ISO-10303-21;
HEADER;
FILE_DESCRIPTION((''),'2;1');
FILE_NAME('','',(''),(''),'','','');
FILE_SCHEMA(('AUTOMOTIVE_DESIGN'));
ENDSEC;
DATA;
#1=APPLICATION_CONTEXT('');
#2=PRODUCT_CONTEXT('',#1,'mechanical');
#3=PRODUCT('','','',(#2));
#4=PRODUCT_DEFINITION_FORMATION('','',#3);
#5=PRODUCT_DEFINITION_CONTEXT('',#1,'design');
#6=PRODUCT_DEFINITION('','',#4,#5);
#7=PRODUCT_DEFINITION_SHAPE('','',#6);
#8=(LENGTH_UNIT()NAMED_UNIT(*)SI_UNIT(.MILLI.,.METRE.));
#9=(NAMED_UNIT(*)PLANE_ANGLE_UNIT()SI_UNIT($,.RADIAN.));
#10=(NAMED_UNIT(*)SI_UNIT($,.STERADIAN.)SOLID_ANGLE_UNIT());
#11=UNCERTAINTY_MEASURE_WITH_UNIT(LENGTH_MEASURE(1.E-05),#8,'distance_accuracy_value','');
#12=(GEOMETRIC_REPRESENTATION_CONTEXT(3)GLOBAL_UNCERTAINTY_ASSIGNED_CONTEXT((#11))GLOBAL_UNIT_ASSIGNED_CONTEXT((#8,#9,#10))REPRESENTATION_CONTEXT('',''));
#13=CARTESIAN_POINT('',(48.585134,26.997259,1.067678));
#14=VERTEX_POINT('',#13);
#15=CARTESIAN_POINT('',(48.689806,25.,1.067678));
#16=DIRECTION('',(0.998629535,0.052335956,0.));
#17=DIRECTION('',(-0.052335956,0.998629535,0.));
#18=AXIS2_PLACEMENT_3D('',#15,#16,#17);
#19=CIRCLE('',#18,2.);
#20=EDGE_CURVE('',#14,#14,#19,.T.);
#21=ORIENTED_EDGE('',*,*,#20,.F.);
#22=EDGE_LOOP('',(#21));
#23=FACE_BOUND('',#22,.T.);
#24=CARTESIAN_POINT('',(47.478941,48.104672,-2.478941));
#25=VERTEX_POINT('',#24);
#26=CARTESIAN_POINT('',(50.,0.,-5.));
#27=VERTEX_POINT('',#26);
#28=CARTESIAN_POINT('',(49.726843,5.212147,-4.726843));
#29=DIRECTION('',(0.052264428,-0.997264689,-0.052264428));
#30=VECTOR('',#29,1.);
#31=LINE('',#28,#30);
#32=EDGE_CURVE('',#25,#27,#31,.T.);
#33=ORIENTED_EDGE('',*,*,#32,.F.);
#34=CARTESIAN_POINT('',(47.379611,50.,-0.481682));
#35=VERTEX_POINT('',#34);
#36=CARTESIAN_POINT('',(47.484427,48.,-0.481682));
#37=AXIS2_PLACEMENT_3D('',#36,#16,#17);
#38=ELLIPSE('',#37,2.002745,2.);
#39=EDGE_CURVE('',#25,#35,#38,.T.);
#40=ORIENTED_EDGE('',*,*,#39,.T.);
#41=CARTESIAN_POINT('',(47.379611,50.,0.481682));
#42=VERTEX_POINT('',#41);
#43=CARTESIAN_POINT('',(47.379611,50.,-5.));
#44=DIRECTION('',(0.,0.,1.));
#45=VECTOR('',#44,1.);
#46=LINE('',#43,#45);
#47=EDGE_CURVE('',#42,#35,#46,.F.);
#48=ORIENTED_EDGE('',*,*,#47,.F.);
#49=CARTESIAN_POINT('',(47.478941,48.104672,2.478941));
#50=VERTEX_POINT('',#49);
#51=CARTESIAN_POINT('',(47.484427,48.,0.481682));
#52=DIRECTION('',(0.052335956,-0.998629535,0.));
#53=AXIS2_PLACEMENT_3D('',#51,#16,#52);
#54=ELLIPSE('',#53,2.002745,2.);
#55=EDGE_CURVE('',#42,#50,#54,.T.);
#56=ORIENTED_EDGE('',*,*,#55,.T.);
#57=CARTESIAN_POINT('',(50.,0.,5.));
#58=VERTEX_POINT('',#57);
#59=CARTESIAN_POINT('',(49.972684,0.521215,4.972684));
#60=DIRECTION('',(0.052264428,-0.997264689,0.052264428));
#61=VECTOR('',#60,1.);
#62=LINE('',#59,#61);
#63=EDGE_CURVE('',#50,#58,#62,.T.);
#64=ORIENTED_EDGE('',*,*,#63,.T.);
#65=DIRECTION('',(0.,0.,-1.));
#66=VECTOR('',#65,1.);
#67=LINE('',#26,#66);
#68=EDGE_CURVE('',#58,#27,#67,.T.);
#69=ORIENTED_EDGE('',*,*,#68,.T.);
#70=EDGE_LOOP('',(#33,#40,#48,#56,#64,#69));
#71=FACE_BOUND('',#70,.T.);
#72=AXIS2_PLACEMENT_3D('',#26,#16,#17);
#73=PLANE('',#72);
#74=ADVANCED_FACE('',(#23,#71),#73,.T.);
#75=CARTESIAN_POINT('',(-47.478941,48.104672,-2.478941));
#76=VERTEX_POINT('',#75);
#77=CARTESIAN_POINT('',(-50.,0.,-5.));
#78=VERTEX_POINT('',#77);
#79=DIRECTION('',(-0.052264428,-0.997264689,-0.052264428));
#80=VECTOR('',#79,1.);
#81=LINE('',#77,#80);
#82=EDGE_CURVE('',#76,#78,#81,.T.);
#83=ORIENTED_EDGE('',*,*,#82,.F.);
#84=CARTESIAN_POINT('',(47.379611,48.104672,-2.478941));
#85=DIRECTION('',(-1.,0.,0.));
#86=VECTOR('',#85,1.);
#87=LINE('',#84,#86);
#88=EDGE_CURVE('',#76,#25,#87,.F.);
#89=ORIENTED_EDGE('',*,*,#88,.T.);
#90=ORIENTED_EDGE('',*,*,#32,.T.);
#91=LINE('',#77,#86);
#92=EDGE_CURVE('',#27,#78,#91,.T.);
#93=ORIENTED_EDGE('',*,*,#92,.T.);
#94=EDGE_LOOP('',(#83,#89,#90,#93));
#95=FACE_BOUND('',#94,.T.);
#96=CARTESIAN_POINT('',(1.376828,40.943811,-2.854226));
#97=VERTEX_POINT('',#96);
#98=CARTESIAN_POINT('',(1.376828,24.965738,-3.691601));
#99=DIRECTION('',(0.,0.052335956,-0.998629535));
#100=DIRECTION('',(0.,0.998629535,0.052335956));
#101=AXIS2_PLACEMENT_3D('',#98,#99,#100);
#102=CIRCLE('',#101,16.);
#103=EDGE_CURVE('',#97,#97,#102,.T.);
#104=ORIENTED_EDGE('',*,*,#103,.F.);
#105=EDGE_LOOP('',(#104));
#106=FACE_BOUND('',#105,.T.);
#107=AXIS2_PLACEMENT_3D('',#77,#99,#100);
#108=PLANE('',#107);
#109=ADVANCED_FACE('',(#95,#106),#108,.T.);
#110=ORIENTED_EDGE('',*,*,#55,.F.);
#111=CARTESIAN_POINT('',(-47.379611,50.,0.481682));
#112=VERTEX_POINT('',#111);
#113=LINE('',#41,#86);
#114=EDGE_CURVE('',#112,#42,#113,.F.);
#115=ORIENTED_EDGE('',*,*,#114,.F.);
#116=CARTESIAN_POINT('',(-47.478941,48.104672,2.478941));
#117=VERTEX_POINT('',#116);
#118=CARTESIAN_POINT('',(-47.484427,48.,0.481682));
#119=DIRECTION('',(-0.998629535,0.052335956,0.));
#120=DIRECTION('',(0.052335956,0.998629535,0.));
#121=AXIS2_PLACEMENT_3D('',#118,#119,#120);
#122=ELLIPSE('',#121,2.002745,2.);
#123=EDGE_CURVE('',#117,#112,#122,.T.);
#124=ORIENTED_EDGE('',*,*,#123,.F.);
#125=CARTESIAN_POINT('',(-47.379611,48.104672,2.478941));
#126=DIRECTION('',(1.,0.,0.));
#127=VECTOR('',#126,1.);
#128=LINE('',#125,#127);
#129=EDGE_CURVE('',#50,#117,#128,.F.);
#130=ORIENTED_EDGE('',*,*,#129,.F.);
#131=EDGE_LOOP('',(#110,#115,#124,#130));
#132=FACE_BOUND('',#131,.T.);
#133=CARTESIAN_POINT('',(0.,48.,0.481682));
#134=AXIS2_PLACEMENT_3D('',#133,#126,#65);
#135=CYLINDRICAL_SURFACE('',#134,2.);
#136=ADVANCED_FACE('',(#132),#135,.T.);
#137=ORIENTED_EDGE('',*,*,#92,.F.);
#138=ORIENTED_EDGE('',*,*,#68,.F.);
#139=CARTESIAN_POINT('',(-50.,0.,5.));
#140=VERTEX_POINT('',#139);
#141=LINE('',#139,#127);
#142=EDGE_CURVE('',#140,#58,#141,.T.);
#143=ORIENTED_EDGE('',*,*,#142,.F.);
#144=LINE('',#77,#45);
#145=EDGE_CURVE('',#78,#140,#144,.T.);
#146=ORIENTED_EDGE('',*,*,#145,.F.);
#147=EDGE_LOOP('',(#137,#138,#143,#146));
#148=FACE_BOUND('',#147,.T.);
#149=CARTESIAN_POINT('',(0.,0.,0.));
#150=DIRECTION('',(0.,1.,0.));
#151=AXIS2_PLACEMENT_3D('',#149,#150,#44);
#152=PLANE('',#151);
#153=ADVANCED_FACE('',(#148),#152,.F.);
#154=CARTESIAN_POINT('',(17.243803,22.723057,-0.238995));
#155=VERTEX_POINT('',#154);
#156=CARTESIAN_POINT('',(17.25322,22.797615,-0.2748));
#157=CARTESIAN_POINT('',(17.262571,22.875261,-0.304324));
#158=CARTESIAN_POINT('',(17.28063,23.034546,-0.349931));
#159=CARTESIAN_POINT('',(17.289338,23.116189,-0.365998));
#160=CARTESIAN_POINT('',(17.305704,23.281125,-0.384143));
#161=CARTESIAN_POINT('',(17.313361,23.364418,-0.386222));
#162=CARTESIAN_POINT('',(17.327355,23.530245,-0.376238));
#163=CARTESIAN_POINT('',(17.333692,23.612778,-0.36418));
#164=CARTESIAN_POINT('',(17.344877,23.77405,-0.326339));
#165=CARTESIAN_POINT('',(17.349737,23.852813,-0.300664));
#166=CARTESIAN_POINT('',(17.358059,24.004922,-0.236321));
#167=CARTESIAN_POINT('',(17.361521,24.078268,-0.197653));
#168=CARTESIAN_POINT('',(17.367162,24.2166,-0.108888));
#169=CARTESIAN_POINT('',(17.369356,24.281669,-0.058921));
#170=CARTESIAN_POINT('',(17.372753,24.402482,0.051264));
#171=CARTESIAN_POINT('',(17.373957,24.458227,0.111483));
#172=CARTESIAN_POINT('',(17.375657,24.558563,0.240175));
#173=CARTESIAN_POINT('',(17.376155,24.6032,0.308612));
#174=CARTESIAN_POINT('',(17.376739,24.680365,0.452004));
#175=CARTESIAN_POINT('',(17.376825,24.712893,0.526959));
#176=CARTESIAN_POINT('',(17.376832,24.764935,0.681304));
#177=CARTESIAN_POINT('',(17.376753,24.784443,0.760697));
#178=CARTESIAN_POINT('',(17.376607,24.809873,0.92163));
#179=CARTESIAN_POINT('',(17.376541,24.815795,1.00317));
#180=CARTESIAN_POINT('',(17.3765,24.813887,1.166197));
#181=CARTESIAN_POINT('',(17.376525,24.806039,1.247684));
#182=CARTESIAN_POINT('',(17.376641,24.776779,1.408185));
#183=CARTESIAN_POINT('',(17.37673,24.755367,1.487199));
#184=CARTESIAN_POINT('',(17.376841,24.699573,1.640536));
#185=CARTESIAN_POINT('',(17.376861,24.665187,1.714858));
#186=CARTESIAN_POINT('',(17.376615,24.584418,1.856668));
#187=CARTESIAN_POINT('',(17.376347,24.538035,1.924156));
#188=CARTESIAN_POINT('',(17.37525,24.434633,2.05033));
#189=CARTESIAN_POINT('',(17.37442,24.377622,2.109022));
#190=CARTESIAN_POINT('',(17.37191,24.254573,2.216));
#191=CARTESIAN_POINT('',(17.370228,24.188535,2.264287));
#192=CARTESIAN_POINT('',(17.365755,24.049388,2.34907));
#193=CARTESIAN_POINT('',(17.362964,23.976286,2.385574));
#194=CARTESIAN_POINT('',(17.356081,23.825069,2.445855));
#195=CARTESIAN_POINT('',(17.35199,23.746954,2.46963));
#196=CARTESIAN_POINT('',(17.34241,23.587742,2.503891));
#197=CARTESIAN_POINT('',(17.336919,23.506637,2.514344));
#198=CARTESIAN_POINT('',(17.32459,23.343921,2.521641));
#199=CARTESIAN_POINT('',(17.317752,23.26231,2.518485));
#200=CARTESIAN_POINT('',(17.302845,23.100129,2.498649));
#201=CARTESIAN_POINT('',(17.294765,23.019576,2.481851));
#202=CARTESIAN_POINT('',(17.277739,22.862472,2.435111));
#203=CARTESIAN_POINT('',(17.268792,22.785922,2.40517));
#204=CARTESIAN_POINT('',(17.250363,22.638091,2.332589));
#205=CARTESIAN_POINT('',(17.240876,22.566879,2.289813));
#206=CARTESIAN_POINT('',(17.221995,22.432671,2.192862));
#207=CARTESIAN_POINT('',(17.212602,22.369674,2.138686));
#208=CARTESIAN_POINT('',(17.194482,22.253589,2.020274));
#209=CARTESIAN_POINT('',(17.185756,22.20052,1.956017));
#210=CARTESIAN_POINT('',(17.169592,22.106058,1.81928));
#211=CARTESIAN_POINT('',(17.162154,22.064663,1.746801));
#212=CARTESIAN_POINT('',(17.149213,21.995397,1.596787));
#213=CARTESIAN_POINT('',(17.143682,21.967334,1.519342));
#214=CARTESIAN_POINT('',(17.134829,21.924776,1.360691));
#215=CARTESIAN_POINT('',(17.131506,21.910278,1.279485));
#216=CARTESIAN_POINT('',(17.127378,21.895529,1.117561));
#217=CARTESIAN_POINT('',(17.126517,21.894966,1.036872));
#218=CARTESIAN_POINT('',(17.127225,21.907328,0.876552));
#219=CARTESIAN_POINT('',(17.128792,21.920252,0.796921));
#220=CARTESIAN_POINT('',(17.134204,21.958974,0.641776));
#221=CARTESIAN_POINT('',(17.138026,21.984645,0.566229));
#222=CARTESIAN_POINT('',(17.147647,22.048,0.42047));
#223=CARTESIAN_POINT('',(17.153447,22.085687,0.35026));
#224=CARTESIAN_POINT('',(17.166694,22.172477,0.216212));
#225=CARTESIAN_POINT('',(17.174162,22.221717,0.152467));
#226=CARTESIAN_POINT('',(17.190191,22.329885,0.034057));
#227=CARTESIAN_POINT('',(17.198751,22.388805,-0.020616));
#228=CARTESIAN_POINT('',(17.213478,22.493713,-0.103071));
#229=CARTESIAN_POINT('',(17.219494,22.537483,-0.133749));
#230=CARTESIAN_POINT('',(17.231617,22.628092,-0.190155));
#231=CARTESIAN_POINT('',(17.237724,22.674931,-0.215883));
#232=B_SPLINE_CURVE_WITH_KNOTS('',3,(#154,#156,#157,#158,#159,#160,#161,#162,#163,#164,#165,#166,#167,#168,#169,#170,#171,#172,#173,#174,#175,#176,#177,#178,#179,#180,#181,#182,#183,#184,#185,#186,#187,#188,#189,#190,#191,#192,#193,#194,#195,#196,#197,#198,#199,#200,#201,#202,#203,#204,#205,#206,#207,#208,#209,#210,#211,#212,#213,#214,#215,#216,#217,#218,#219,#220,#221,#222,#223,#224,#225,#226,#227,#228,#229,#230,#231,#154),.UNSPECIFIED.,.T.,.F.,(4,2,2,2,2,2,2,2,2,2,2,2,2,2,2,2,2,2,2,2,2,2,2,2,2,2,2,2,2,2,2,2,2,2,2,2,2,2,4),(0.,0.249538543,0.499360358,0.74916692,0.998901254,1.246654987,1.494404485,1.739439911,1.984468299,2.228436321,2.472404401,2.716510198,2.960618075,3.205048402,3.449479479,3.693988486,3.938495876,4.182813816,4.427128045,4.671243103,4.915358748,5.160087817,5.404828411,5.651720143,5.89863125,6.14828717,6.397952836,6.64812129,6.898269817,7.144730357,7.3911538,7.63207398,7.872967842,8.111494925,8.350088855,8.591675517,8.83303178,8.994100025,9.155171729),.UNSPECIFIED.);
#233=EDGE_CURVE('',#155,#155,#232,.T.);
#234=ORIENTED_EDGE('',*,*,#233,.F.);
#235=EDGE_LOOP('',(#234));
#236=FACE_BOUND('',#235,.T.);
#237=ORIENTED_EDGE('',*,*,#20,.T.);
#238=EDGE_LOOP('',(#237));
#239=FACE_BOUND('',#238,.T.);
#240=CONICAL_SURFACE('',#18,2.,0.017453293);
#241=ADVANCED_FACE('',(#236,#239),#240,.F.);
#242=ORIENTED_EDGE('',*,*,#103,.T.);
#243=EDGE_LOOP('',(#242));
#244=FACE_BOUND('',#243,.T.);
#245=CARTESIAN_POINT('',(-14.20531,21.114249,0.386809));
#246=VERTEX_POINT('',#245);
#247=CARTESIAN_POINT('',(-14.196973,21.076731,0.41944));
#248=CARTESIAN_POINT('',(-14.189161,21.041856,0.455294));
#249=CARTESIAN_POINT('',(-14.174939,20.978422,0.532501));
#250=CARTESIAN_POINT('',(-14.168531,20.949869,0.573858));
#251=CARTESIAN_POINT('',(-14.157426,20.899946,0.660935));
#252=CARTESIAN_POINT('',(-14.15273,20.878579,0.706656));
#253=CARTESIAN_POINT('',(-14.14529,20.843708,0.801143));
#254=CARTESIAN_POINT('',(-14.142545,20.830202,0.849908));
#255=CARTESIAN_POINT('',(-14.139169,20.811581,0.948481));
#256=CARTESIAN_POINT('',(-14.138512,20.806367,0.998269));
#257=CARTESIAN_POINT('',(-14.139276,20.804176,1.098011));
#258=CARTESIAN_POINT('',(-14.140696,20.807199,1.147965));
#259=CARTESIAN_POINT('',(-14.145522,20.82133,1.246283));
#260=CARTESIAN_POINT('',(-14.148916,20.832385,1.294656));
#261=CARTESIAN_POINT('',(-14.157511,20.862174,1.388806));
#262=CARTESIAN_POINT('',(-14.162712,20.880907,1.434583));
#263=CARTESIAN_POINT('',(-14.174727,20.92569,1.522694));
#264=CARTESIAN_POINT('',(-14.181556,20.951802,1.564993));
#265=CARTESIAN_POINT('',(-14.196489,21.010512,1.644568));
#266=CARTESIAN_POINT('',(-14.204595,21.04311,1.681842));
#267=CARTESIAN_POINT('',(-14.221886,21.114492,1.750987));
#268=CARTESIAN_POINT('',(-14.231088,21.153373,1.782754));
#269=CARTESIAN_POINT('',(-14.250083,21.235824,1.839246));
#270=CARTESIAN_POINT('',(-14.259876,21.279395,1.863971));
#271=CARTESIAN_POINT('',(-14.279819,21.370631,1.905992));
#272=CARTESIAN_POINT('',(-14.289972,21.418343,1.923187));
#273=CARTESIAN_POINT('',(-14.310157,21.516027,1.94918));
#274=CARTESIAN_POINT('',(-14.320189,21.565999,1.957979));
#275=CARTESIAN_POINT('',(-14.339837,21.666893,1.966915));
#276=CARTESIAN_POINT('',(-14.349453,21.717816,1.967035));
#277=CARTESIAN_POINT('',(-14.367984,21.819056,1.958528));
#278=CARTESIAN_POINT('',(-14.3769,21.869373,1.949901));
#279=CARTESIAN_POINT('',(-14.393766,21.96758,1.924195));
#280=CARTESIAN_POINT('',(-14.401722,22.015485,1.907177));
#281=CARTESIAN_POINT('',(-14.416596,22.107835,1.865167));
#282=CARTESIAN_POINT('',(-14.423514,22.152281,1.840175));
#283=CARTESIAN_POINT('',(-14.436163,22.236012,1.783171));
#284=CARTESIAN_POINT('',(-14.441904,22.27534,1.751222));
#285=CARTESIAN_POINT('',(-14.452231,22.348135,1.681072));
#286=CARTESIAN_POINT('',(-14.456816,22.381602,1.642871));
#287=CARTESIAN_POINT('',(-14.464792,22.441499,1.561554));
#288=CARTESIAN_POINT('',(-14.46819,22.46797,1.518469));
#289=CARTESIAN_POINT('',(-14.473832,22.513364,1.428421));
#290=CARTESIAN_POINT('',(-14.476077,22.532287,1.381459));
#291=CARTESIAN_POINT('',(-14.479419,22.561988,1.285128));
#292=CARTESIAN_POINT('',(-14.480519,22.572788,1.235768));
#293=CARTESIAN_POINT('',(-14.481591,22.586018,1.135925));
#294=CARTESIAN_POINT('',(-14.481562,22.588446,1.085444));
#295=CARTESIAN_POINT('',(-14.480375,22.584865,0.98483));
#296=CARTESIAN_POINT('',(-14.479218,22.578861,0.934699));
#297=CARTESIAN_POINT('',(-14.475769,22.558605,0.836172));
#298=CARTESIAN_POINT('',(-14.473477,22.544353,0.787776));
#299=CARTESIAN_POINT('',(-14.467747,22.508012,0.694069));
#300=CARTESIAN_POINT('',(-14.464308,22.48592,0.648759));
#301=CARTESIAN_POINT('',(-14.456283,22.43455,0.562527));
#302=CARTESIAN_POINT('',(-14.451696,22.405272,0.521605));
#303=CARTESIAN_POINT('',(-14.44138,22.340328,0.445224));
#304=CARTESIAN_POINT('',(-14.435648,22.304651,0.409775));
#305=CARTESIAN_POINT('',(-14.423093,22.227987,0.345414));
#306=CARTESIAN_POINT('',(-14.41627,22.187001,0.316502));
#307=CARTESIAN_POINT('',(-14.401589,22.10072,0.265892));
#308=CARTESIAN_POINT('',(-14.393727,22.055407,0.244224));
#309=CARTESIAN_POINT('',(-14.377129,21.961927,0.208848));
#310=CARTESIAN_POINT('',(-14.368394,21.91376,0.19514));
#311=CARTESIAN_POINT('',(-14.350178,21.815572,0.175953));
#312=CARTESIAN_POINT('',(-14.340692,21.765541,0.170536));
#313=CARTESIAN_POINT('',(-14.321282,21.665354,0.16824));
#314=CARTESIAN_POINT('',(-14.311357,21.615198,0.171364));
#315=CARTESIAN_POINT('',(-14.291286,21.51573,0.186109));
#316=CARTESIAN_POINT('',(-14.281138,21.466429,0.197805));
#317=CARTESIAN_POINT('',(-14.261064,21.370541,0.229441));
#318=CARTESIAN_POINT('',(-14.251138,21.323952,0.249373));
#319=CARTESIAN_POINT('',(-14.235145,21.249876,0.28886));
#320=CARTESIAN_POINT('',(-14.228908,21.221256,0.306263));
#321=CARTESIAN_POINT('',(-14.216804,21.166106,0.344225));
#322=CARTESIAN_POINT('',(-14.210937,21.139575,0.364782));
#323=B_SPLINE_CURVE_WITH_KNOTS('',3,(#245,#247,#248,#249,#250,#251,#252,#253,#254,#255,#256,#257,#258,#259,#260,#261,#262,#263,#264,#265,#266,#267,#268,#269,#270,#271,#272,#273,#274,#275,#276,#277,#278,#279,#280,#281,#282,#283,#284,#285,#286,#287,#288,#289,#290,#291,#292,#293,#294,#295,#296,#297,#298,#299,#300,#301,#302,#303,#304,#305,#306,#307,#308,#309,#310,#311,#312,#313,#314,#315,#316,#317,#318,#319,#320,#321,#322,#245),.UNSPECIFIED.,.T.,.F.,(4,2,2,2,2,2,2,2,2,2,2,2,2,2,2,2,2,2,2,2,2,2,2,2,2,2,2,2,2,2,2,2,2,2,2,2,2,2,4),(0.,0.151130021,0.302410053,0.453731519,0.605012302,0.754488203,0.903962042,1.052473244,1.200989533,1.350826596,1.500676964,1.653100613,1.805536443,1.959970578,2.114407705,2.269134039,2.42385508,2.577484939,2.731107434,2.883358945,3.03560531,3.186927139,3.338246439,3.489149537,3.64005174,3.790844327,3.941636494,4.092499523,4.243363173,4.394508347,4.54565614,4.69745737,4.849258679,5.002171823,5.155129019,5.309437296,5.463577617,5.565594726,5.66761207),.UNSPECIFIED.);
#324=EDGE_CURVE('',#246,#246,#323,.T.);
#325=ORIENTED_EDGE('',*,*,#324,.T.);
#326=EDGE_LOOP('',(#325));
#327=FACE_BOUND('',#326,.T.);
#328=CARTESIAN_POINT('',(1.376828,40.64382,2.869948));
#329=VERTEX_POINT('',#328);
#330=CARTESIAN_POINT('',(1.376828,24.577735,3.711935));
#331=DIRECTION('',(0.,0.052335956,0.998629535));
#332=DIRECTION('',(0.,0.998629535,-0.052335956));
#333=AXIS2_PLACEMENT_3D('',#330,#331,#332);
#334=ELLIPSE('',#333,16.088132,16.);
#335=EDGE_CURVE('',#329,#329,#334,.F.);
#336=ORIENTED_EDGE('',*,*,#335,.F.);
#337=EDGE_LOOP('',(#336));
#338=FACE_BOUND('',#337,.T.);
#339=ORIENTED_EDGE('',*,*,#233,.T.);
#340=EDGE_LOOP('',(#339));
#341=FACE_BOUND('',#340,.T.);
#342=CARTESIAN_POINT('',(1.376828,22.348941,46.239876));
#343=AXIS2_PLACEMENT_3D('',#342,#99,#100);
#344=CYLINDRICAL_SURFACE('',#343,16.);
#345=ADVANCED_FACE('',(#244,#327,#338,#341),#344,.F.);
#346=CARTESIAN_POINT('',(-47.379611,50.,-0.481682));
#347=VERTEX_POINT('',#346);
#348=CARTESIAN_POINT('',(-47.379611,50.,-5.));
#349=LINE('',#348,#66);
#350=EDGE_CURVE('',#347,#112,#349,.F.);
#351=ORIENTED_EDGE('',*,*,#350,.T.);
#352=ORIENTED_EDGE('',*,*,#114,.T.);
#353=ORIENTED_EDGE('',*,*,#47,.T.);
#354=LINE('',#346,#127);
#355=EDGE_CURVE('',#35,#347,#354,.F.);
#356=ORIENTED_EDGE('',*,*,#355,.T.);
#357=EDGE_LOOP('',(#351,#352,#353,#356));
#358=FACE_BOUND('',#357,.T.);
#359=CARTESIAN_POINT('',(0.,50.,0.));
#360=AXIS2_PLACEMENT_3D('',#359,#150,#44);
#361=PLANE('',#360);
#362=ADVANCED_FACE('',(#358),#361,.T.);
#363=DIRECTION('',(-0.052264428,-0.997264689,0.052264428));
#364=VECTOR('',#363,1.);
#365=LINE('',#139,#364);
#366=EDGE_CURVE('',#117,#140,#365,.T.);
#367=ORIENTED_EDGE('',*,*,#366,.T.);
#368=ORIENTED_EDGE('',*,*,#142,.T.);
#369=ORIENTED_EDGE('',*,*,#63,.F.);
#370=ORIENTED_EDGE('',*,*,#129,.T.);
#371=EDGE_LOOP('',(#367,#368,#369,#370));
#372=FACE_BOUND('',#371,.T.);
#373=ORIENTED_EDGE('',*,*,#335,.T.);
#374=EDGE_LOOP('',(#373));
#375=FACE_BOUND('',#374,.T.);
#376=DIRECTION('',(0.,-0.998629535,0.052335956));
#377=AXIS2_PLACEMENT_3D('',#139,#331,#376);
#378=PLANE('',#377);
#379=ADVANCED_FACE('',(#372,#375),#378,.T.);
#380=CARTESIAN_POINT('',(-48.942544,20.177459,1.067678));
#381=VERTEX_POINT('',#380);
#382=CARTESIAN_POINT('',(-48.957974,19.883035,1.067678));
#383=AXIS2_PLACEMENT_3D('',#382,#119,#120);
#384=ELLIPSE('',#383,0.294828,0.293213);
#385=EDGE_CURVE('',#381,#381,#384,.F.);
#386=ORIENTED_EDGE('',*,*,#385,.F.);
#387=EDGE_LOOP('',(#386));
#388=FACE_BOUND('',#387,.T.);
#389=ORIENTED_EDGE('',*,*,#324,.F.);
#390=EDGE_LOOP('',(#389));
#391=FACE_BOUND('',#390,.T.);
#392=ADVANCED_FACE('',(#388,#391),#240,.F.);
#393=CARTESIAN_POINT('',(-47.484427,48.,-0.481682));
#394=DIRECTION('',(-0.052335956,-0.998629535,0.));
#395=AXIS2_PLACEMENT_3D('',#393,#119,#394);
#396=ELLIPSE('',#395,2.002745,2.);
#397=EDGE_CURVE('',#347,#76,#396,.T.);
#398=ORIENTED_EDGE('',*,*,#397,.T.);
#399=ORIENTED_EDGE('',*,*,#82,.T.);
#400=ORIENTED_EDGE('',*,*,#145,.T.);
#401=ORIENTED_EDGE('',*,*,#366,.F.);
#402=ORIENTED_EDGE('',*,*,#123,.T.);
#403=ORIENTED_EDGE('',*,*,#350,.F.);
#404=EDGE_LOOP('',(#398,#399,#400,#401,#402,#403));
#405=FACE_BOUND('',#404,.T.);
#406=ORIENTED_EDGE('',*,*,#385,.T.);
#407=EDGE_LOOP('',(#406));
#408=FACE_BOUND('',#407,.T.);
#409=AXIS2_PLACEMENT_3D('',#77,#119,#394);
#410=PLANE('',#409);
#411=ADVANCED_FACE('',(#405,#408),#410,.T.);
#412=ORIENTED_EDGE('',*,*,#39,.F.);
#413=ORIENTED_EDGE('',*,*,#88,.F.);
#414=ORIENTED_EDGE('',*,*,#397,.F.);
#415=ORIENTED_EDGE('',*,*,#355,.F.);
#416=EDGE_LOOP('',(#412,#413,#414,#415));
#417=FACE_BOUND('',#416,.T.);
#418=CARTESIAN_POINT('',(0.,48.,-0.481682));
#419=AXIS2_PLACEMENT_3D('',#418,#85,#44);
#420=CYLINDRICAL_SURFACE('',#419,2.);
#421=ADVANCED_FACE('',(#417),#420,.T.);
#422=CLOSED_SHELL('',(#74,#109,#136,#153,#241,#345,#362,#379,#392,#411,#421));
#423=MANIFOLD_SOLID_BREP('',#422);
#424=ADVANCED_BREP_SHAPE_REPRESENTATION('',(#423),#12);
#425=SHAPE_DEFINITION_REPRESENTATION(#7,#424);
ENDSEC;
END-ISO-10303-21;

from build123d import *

# Parameters (mm, degrees)
SKETCH1_W           = 100
SKETCH1_H           = 10
BOSS_EXTRUDE1_DEPTH = 50
BOSS_EXTRUDE1_TAPER = 3
FILLET1_R           = 2
SKETCH2_R           = 16
CUT_EXTRUDE1_DEPTH  = 50
SKETCH3_R           = 2
CUT_EXTRUDE2_DEPTH  = 105
CUT_EXTRUDE2_DRAFT  = -1


with BuildPart() as part:
    # Sketch1 → Boss-Extrude1 (new body)
    with BuildSketch(Plane(origin=(0, 0, 0), x_dir=(1, 0, 0), z_dir=(0, 1, 0))):
        Rectangle(SKETCH1_W, SKETCH1_H)
    extrude(amount=BOSS_EXTRUDE1_DEPTH, taper=BOSS_EXTRUDE1_TAPER)

    # Fillet1
    fillet1_edges = [part.edges().sort_by_distance(p)[0] for p in [
        (0, 50, 2.379611036),
        (0, 50, -2.379611036),
    ]]
    fillet(fillet1_edges, radius=FILLET1_R)

    # Sketch2 → Cut-Extrude1 (cut)
    with BuildSketch(Plane(origin=(0, 0.261321158, -4.986304738), x_dir=(-1, 0, 0), z_dir=(0, 0.052335956242943876, -0.998629534754574))):
        with Locations(Location((-1.376828388, 24.738320219, 0), (0, 0, 90))):
            Circle(SKETCH2_R)
    extrude(amount=-CUT_EXTRUDE1_DEPTH, mode=Mode.SUBTRACT)


with BuildPart() as cut_extrude2_tool:
    # Sketch3 → Cut-Extrude2 (with draft: the straight prism first)
    with BuildSketch(Plane(origin=(49.863047384, 2.613211582, 0), x_dir=(0, 0, -1), z_dir=(0.998629534754574, 0.052335956242943876, 0))):
        with Locations((-1.067678457, 22.417510838)):
            Circle(SKETCH3_R)
    extrude(amount=-CUT_EXTRUDE2_DEPTH)
    # Cut-Extrude2: the draft: its side faces are tilted about the plane it starts from
    cut_extrude2_sides = [cut_extrude2_tool.faces().sort_by_distance(p)[0] for p in [
        (-3.738245057, 22.252362297, 3.067678457),
    ]]
    draft(cut_extrude2_sides, Plane(origin=(49.863047384, 2.613211582, 0), x_dir=(0, 0, -1), z_dir=(0.998629534754574, 0.052335956242943876, 0)), CUT_EXTRUDE2_DRAFT)


with BuildPart() as part_1:
    add(part.part)

    # Cut-Extrude2: cut by cut_extrude2_tool
    add(cut_extrude2_tool.part, mode=Mode.SUBTRACT)


solid = part_1.part
